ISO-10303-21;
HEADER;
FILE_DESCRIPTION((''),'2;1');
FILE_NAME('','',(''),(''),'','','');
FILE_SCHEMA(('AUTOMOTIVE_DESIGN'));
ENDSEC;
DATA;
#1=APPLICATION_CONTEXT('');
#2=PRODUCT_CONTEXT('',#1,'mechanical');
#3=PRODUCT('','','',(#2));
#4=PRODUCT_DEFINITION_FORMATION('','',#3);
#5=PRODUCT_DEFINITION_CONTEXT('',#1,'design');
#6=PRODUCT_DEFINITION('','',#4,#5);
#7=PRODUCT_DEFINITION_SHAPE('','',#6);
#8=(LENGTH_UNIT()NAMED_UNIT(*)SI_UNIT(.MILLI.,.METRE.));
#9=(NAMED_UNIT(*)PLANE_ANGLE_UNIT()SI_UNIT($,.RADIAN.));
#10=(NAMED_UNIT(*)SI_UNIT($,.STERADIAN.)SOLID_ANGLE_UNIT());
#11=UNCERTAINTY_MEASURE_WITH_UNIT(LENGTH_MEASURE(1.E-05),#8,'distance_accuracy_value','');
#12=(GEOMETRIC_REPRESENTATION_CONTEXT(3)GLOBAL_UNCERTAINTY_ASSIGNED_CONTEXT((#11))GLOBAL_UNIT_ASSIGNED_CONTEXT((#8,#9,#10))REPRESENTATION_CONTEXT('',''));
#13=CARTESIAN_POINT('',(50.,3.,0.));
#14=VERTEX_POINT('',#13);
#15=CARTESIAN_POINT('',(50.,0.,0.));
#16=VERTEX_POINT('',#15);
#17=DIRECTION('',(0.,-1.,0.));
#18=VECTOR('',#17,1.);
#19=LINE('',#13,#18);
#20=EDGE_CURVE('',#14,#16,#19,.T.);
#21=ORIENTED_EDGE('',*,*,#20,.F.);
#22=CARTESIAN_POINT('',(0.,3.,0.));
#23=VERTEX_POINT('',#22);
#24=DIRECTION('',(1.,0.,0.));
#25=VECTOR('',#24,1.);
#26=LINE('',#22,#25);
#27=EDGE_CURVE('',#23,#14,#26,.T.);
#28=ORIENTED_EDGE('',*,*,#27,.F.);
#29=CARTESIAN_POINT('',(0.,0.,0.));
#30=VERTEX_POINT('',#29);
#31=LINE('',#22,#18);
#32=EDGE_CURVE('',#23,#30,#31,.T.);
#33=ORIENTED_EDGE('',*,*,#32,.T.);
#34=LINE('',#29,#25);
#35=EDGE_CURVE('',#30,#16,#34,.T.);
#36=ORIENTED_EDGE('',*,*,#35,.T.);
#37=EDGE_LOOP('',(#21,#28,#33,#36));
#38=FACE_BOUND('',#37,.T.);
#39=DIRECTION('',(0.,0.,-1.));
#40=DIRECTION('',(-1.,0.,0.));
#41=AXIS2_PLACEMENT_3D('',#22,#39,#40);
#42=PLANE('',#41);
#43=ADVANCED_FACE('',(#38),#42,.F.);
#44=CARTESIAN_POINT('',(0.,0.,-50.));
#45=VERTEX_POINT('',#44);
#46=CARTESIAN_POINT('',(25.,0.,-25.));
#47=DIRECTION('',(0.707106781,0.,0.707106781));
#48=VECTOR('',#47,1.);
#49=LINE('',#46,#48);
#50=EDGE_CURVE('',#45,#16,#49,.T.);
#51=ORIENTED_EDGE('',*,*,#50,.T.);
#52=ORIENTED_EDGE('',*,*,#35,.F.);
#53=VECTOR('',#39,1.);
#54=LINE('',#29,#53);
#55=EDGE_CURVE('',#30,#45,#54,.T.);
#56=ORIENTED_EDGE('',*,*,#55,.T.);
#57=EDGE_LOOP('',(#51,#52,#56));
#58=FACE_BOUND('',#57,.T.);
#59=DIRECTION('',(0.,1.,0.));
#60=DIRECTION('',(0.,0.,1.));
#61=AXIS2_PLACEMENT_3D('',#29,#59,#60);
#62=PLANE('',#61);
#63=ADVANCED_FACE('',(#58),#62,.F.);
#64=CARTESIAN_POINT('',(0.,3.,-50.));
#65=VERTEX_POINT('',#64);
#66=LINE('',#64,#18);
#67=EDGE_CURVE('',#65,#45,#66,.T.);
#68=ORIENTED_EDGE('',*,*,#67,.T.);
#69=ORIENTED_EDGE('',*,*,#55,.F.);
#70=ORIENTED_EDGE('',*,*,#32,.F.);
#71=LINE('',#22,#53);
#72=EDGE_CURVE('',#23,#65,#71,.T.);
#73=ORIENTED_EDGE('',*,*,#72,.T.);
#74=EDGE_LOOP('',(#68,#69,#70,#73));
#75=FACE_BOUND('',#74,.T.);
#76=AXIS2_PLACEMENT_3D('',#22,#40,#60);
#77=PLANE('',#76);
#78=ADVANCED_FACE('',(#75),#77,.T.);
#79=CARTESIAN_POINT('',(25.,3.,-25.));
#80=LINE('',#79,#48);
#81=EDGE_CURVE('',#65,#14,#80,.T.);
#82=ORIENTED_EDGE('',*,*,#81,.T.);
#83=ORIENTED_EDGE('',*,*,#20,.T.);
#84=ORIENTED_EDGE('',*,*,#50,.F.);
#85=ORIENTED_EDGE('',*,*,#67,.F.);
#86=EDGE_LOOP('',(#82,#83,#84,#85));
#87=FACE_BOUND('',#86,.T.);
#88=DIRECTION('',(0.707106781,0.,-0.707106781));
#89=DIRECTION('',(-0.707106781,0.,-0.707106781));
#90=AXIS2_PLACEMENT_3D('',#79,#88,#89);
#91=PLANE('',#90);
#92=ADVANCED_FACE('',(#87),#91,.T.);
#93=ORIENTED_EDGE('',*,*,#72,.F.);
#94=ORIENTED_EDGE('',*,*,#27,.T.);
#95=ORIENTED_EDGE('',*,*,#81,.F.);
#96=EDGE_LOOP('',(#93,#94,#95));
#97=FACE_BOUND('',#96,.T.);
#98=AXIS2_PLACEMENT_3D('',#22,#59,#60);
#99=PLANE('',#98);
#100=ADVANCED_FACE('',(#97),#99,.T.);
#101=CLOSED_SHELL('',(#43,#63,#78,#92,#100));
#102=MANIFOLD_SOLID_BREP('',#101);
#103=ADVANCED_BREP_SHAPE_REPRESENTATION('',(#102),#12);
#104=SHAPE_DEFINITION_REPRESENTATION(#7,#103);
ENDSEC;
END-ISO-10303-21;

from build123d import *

# Parameters (mm, degrees)
P_IDAT_VYSUNUT_M1_DEPTH = 3


with BuildPart() as part:
    # Skica1 → Přidat vysunutím1 (new body)
    with BuildSketch(Plane(origin=(0, 0, 0), x_dir=(1, 0, 0), z_dir=(0, 1, 0))):
        Polygon((0, 0), (0, 50), (50, 0), align=None)
    extrude(amount=P_IDAT_VYSUNUT_M1_DEPTH)


solid = part.part
